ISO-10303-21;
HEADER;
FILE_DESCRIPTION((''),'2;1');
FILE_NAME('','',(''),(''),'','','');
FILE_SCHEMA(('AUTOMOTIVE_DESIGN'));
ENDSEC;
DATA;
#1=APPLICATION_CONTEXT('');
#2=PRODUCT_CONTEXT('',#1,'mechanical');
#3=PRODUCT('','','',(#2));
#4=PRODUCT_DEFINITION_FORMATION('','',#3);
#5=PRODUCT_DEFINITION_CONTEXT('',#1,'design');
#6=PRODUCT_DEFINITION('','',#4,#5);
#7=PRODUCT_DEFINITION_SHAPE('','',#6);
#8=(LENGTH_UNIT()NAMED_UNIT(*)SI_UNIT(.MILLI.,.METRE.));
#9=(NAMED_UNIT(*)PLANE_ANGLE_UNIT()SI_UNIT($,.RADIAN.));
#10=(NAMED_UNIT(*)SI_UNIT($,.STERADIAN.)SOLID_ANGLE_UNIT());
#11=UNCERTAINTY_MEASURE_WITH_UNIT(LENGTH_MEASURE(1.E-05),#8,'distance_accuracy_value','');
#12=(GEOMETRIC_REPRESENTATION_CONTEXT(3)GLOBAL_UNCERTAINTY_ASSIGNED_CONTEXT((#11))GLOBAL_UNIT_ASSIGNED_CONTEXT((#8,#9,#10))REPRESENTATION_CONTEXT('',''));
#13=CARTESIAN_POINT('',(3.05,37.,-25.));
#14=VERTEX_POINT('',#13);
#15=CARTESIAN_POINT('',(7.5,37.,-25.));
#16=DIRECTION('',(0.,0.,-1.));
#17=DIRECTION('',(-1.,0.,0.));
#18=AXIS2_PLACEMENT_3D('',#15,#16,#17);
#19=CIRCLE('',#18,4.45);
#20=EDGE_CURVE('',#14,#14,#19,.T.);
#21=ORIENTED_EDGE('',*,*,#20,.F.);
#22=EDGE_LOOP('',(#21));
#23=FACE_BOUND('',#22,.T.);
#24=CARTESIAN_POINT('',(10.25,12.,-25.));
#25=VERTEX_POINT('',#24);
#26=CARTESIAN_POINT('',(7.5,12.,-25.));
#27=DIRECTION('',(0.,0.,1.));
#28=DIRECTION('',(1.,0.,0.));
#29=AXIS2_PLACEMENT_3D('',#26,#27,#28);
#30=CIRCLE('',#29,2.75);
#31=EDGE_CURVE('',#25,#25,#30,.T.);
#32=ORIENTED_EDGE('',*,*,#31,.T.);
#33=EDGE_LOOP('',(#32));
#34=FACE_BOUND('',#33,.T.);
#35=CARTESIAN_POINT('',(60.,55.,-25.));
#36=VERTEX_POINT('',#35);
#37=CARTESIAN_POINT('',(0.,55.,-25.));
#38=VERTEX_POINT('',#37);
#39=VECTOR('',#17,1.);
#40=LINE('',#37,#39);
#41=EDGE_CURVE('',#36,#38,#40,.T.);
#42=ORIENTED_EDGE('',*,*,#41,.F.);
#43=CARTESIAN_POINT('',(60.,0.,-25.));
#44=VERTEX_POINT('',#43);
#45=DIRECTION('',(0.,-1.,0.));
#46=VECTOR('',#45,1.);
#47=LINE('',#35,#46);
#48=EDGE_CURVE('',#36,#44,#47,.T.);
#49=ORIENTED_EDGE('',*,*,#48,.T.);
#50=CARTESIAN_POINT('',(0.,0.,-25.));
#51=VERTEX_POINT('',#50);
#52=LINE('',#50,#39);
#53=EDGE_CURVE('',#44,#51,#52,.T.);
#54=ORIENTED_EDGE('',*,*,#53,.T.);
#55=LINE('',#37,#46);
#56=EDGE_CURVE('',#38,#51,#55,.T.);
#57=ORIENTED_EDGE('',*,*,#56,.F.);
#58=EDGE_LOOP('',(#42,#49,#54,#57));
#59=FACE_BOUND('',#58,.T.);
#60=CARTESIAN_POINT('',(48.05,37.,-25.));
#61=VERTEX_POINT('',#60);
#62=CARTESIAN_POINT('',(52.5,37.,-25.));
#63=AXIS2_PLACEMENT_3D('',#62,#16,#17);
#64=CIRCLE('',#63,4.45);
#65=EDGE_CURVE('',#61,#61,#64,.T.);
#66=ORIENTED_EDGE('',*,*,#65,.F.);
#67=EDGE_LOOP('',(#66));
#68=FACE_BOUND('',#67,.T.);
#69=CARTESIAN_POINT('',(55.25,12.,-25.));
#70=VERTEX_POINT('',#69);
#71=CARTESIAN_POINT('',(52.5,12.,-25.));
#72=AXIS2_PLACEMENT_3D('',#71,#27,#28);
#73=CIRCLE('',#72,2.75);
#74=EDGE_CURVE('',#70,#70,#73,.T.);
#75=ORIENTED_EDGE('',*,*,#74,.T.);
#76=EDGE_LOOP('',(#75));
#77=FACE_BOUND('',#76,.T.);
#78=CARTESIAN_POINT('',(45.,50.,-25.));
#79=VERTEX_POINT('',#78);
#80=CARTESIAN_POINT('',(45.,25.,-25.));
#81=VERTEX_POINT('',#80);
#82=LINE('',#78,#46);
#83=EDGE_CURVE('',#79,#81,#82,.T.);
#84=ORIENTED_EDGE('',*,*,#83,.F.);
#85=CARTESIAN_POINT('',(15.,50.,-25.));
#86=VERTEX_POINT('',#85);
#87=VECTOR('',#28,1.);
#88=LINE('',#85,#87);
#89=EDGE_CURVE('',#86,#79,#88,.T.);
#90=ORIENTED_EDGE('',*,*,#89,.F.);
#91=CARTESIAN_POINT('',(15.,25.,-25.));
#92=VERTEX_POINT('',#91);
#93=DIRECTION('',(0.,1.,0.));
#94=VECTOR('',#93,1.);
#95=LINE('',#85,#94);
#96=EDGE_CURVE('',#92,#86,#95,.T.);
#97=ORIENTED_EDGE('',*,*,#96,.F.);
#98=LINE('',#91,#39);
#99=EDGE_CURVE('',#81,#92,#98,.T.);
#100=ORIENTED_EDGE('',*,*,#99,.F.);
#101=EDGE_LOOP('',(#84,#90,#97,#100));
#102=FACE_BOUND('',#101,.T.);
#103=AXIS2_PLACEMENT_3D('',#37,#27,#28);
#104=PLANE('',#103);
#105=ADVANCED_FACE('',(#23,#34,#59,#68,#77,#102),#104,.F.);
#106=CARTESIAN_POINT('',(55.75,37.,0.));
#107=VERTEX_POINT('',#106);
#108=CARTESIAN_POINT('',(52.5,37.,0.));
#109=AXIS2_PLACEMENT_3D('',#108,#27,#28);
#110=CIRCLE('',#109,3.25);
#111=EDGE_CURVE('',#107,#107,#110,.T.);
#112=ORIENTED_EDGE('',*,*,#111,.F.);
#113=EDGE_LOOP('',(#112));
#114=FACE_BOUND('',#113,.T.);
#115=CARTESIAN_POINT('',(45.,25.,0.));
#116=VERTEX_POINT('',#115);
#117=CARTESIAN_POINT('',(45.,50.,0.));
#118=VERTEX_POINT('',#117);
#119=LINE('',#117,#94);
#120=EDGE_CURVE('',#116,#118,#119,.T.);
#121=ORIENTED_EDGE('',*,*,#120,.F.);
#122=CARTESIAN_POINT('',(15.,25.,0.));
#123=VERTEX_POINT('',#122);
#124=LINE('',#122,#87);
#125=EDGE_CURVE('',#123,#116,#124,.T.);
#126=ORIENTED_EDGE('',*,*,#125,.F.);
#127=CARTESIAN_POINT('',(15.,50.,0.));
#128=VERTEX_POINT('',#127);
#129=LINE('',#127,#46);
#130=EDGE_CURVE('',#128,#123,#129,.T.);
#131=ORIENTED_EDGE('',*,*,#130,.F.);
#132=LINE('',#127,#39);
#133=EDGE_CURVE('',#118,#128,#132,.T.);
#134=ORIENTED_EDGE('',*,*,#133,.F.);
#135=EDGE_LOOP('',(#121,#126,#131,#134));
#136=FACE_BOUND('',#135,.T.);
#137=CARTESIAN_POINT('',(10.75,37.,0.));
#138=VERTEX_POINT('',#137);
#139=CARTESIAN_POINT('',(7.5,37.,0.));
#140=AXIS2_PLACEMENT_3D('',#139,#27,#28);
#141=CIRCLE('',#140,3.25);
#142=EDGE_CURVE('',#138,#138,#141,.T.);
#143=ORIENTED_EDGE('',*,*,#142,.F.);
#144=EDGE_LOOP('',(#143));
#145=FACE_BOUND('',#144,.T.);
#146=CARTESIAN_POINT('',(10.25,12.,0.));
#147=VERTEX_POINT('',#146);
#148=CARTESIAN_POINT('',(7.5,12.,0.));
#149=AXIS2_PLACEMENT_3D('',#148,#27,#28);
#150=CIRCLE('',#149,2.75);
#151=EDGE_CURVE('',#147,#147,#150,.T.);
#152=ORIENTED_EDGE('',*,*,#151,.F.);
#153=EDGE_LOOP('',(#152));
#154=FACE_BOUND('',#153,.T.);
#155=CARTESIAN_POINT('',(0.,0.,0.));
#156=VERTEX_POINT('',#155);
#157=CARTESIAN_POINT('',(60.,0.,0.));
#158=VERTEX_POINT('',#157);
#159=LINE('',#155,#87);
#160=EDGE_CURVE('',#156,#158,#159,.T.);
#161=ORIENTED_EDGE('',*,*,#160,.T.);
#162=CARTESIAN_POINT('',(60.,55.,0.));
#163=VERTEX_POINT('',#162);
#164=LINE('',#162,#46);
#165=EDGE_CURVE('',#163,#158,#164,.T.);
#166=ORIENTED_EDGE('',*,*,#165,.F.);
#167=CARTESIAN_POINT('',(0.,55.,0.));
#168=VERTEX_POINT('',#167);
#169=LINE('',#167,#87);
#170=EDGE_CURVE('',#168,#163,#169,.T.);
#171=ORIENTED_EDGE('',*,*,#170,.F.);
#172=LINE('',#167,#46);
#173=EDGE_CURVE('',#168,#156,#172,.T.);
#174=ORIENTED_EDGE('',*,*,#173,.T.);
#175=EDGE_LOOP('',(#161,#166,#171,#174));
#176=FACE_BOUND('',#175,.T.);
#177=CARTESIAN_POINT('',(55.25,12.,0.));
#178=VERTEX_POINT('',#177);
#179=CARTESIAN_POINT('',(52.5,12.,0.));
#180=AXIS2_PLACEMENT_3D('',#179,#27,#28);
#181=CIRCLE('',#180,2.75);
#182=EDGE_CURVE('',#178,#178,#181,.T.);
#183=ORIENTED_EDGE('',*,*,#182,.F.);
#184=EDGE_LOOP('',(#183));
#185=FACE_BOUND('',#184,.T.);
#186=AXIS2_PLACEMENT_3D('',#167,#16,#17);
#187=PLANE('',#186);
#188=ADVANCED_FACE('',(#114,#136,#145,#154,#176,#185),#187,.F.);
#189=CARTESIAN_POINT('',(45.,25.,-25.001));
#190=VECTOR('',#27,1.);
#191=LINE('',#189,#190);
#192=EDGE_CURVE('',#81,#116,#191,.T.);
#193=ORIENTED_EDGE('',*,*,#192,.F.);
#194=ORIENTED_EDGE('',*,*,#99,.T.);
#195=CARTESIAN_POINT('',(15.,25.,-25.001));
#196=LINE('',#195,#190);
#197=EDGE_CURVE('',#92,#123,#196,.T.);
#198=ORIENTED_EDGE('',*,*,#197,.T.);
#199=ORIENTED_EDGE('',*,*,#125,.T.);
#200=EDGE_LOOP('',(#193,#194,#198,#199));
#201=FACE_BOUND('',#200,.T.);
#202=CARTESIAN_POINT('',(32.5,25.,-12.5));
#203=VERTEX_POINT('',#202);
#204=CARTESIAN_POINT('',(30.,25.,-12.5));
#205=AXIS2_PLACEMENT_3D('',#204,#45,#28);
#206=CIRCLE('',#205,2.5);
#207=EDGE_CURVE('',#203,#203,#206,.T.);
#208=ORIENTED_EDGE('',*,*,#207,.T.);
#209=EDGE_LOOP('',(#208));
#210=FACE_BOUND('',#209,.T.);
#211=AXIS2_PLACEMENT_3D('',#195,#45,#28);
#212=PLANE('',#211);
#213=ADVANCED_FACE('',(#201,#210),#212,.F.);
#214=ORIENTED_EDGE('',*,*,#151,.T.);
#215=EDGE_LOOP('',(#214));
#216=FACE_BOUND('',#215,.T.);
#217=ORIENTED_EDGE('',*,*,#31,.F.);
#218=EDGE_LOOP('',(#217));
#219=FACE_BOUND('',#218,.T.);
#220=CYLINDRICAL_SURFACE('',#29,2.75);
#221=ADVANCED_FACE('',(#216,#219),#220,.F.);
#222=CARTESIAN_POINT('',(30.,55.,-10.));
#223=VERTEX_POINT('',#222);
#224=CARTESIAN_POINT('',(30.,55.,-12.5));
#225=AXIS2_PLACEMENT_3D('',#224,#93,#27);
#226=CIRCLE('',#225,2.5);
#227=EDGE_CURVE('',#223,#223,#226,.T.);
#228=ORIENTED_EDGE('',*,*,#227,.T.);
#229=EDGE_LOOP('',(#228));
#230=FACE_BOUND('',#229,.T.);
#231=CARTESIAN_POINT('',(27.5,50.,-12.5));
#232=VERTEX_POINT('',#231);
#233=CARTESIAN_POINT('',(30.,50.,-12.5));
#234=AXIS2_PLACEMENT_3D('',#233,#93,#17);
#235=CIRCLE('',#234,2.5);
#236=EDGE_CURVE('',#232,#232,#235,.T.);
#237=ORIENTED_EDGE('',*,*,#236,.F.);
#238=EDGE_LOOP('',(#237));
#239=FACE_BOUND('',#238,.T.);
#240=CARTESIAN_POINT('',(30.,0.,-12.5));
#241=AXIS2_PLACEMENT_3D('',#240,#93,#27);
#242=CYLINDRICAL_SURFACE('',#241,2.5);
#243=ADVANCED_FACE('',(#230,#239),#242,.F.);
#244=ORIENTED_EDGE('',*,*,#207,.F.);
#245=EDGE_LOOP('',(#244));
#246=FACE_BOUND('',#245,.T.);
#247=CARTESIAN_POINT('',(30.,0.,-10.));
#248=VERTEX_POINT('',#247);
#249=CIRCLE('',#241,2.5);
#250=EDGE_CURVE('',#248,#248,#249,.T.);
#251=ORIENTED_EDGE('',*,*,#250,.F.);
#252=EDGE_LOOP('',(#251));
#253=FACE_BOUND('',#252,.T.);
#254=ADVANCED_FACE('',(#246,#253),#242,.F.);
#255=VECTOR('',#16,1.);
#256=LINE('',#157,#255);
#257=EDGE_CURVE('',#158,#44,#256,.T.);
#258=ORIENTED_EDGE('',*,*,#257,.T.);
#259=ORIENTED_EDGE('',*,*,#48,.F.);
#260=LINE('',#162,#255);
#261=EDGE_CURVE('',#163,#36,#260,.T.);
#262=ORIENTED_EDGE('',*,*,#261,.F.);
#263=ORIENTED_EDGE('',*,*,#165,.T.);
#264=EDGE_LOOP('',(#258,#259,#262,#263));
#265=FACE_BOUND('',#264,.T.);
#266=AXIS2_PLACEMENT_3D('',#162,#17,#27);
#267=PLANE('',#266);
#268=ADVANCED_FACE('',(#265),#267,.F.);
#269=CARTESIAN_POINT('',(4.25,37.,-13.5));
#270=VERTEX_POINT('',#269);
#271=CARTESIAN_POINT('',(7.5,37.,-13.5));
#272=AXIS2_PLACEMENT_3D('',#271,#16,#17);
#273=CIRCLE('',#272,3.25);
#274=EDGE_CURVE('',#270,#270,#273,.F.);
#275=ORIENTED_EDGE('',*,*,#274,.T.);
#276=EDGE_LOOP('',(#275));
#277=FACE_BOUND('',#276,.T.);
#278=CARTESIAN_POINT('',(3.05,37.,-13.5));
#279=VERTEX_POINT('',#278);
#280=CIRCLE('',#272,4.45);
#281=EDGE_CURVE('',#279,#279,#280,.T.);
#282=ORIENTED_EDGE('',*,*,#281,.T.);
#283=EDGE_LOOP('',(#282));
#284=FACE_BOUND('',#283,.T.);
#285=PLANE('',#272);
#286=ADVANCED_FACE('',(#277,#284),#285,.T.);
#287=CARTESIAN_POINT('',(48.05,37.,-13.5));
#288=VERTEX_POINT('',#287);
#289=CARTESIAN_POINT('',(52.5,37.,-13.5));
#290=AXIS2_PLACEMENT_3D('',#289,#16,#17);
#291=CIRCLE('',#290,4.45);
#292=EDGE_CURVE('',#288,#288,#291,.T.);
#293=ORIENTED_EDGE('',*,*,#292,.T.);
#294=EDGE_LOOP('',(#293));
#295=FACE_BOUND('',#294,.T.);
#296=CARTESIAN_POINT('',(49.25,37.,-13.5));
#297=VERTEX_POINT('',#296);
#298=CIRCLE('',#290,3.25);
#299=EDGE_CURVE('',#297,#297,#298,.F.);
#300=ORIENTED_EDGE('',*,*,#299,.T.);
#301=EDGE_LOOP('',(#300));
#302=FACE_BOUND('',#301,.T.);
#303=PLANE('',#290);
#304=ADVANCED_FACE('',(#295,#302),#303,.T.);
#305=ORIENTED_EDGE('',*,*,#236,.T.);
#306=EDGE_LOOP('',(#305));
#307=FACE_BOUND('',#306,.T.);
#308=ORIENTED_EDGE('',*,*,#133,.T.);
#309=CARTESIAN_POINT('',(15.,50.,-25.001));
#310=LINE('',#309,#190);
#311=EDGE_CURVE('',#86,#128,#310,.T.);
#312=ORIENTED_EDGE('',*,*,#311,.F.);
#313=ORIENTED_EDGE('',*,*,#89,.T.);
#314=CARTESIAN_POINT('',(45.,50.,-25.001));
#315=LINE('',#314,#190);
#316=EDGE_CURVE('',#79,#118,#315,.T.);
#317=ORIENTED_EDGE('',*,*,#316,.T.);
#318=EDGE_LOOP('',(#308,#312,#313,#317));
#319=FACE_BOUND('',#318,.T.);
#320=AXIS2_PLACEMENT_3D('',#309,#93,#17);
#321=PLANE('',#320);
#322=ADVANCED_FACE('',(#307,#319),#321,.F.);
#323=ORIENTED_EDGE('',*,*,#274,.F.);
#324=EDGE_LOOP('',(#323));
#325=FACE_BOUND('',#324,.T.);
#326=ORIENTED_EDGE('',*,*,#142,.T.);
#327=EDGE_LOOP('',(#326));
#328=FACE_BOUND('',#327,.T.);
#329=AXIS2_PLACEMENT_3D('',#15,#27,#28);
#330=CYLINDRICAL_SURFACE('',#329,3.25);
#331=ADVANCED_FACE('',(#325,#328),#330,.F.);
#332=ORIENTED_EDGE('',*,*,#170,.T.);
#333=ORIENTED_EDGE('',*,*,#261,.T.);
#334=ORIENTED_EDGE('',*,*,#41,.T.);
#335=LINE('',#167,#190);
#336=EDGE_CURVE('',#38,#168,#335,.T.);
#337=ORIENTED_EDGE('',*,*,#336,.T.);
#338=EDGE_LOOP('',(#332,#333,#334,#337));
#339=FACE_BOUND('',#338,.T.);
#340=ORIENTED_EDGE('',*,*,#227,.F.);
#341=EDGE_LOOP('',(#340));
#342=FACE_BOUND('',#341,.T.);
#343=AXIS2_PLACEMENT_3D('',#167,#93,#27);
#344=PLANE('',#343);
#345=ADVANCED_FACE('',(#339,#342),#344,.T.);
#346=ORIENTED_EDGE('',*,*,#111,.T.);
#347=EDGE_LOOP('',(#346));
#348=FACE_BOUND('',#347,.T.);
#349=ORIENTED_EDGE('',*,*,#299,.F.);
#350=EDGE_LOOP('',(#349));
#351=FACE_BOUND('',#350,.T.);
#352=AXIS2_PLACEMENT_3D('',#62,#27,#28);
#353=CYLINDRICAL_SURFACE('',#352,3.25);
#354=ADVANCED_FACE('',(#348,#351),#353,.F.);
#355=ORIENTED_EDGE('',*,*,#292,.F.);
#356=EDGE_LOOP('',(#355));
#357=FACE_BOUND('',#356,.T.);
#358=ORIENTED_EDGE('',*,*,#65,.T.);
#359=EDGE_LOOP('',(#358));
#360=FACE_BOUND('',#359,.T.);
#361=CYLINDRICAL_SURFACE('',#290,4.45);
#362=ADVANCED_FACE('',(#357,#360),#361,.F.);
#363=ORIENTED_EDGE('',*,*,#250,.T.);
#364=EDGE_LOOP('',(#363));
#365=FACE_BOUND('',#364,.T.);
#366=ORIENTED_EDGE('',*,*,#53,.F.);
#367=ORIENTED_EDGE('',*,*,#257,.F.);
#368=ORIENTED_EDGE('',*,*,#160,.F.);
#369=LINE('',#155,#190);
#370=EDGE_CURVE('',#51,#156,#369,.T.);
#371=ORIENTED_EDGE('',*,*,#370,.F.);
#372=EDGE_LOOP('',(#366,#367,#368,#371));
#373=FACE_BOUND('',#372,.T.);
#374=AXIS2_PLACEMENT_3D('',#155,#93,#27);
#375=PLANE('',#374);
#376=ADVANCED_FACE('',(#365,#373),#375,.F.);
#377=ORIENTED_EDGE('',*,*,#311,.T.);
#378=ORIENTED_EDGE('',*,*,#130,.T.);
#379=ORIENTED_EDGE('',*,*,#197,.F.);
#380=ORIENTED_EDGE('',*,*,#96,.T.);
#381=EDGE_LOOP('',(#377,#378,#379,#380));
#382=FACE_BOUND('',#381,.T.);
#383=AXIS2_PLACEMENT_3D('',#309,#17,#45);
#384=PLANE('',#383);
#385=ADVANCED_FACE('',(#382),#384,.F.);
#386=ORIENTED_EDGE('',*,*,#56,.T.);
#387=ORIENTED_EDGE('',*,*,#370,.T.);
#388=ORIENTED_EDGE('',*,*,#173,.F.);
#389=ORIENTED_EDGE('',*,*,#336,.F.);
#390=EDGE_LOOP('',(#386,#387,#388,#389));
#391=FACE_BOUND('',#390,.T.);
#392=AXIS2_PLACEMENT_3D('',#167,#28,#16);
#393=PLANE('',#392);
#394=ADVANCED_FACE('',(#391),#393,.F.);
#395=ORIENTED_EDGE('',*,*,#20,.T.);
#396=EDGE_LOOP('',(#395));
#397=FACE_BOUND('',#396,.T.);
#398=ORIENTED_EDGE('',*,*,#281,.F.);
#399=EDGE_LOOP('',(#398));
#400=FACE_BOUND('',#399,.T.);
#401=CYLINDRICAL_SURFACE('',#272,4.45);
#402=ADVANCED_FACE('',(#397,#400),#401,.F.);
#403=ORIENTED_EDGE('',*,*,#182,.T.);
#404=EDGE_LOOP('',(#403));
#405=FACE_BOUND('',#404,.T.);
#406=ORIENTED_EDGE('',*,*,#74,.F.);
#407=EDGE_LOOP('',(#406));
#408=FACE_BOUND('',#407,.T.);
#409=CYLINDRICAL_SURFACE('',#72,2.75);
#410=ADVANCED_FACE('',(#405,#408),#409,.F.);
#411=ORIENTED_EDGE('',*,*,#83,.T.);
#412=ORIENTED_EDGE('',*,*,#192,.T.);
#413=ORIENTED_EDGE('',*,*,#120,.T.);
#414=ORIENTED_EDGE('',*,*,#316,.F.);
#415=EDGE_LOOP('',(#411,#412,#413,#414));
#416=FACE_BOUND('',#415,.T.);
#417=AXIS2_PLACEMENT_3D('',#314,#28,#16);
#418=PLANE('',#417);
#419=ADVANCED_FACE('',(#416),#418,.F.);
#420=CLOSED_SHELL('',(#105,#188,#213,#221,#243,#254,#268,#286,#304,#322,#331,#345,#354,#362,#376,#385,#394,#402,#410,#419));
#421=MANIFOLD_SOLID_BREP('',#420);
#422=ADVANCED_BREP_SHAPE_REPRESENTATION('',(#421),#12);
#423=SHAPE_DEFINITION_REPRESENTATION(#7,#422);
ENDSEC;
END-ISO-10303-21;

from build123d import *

# Parameters (mm, degrees)
SKETCH2_W           = 60
SKETCH2_H           = 25
BOSS_EXTRUDE1_DEPTH = 55
CUT_EXTRUDE1_REACH  = 27
SKETCH3_W           = 30
SKETCH3_H           = 25
SKETCH4_R           = 2.5
CUT_EXTRUDE2_DEPTH  = 56
SKETCH5_R           = 3.25
SKETCH5_R_2         = 2.75
CUT_EXTRUDE3_DEPTH  = 26
SKETCH9_R           = 4.45
CUT_EXTRUDE7_DEPTH  = 11.5


with BuildPart() as part:
    # Sketch2 → Boss-Extrude1 (new body)
    with BuildSketch(Plane(origin=(0, 0, 0), x_dir=(1, 0, 0), z_dir=(0, 1, 0))):
        with Locations((30, 12.5)):
            Rectangle(SKETCH2_W, SKETCH2_H)
    extrude(amount=BOSS_EXTRUDE1_DEPTH)

    # Sketch3 → Cut-Extrude1 (cut, up to next)
    with BuildSketch(Plane.XY, mode=Mode.PRIVATE) as cut_extrude1_sk1:
        with Locations((30, 37.5)):
            Rectangle(SKETCH3_W, SKETCH3_H)
    cut_extrude1_tool1 = extrude(cut_extrude1_sk1.sketch, amount=-CUT_EXTRUDE1_REACH, mode=Mode.PRIVATE) & part.part
    add(cut_extrude1_tool1.solids().sort_by_distance((30, 37.5, 0))[0], mode=Mode.SUBTRACT)

    # Sketch4 → Cut-Extrude2 (cut, through all)
    with BuildSketch(Plane(origin=(0, 55, 0), x_dir=(1, 0, 0), z_dir=(0, 1, 0))):
        with Locations((30, 12.5)):
            Circle(SKETCH4_R)
    extrude(amount=-CUT_EXTRUDE2_DEPTH, mode=Mode.SUBTRACT)

    # Sketch5 → Cut-Extrude3 (cut, through all)
    with BuildSketch(Plane.XY):
        with Locations((7.5, 37)):
            Circle(SKETCH5_R)
        with Locations((7.5, 12)):
            Circle(SKETCH5_R_2)
        with Locations((52.5, 12)):
            Circle(SKETCH5_R_2)
        with Locations((52.5, 37)):
            Circle(SKETCH5_R)
    extrude(amount=-CUT_EXTRUDE3_DEPTH, mode=Mode.SUBTRACT)

    # Sketch9 → Cut-Extrude7 (cut)
    with BuildSketch(Plane(origin=(0, 0, -25), x_dir=(-1, 0, 0), z_dir=(0, 0, -1))):
        with Locations((-52.5, 37)):
            Circle(SKETCH9_R)
        with Locations((-7.5, 37)):
            Circle(SKETCH9_R)
    extrude(amount=-CUT_EXTRUDE7_DEPTH, mode=Mode.SUBTRACT)


solid = part.part
